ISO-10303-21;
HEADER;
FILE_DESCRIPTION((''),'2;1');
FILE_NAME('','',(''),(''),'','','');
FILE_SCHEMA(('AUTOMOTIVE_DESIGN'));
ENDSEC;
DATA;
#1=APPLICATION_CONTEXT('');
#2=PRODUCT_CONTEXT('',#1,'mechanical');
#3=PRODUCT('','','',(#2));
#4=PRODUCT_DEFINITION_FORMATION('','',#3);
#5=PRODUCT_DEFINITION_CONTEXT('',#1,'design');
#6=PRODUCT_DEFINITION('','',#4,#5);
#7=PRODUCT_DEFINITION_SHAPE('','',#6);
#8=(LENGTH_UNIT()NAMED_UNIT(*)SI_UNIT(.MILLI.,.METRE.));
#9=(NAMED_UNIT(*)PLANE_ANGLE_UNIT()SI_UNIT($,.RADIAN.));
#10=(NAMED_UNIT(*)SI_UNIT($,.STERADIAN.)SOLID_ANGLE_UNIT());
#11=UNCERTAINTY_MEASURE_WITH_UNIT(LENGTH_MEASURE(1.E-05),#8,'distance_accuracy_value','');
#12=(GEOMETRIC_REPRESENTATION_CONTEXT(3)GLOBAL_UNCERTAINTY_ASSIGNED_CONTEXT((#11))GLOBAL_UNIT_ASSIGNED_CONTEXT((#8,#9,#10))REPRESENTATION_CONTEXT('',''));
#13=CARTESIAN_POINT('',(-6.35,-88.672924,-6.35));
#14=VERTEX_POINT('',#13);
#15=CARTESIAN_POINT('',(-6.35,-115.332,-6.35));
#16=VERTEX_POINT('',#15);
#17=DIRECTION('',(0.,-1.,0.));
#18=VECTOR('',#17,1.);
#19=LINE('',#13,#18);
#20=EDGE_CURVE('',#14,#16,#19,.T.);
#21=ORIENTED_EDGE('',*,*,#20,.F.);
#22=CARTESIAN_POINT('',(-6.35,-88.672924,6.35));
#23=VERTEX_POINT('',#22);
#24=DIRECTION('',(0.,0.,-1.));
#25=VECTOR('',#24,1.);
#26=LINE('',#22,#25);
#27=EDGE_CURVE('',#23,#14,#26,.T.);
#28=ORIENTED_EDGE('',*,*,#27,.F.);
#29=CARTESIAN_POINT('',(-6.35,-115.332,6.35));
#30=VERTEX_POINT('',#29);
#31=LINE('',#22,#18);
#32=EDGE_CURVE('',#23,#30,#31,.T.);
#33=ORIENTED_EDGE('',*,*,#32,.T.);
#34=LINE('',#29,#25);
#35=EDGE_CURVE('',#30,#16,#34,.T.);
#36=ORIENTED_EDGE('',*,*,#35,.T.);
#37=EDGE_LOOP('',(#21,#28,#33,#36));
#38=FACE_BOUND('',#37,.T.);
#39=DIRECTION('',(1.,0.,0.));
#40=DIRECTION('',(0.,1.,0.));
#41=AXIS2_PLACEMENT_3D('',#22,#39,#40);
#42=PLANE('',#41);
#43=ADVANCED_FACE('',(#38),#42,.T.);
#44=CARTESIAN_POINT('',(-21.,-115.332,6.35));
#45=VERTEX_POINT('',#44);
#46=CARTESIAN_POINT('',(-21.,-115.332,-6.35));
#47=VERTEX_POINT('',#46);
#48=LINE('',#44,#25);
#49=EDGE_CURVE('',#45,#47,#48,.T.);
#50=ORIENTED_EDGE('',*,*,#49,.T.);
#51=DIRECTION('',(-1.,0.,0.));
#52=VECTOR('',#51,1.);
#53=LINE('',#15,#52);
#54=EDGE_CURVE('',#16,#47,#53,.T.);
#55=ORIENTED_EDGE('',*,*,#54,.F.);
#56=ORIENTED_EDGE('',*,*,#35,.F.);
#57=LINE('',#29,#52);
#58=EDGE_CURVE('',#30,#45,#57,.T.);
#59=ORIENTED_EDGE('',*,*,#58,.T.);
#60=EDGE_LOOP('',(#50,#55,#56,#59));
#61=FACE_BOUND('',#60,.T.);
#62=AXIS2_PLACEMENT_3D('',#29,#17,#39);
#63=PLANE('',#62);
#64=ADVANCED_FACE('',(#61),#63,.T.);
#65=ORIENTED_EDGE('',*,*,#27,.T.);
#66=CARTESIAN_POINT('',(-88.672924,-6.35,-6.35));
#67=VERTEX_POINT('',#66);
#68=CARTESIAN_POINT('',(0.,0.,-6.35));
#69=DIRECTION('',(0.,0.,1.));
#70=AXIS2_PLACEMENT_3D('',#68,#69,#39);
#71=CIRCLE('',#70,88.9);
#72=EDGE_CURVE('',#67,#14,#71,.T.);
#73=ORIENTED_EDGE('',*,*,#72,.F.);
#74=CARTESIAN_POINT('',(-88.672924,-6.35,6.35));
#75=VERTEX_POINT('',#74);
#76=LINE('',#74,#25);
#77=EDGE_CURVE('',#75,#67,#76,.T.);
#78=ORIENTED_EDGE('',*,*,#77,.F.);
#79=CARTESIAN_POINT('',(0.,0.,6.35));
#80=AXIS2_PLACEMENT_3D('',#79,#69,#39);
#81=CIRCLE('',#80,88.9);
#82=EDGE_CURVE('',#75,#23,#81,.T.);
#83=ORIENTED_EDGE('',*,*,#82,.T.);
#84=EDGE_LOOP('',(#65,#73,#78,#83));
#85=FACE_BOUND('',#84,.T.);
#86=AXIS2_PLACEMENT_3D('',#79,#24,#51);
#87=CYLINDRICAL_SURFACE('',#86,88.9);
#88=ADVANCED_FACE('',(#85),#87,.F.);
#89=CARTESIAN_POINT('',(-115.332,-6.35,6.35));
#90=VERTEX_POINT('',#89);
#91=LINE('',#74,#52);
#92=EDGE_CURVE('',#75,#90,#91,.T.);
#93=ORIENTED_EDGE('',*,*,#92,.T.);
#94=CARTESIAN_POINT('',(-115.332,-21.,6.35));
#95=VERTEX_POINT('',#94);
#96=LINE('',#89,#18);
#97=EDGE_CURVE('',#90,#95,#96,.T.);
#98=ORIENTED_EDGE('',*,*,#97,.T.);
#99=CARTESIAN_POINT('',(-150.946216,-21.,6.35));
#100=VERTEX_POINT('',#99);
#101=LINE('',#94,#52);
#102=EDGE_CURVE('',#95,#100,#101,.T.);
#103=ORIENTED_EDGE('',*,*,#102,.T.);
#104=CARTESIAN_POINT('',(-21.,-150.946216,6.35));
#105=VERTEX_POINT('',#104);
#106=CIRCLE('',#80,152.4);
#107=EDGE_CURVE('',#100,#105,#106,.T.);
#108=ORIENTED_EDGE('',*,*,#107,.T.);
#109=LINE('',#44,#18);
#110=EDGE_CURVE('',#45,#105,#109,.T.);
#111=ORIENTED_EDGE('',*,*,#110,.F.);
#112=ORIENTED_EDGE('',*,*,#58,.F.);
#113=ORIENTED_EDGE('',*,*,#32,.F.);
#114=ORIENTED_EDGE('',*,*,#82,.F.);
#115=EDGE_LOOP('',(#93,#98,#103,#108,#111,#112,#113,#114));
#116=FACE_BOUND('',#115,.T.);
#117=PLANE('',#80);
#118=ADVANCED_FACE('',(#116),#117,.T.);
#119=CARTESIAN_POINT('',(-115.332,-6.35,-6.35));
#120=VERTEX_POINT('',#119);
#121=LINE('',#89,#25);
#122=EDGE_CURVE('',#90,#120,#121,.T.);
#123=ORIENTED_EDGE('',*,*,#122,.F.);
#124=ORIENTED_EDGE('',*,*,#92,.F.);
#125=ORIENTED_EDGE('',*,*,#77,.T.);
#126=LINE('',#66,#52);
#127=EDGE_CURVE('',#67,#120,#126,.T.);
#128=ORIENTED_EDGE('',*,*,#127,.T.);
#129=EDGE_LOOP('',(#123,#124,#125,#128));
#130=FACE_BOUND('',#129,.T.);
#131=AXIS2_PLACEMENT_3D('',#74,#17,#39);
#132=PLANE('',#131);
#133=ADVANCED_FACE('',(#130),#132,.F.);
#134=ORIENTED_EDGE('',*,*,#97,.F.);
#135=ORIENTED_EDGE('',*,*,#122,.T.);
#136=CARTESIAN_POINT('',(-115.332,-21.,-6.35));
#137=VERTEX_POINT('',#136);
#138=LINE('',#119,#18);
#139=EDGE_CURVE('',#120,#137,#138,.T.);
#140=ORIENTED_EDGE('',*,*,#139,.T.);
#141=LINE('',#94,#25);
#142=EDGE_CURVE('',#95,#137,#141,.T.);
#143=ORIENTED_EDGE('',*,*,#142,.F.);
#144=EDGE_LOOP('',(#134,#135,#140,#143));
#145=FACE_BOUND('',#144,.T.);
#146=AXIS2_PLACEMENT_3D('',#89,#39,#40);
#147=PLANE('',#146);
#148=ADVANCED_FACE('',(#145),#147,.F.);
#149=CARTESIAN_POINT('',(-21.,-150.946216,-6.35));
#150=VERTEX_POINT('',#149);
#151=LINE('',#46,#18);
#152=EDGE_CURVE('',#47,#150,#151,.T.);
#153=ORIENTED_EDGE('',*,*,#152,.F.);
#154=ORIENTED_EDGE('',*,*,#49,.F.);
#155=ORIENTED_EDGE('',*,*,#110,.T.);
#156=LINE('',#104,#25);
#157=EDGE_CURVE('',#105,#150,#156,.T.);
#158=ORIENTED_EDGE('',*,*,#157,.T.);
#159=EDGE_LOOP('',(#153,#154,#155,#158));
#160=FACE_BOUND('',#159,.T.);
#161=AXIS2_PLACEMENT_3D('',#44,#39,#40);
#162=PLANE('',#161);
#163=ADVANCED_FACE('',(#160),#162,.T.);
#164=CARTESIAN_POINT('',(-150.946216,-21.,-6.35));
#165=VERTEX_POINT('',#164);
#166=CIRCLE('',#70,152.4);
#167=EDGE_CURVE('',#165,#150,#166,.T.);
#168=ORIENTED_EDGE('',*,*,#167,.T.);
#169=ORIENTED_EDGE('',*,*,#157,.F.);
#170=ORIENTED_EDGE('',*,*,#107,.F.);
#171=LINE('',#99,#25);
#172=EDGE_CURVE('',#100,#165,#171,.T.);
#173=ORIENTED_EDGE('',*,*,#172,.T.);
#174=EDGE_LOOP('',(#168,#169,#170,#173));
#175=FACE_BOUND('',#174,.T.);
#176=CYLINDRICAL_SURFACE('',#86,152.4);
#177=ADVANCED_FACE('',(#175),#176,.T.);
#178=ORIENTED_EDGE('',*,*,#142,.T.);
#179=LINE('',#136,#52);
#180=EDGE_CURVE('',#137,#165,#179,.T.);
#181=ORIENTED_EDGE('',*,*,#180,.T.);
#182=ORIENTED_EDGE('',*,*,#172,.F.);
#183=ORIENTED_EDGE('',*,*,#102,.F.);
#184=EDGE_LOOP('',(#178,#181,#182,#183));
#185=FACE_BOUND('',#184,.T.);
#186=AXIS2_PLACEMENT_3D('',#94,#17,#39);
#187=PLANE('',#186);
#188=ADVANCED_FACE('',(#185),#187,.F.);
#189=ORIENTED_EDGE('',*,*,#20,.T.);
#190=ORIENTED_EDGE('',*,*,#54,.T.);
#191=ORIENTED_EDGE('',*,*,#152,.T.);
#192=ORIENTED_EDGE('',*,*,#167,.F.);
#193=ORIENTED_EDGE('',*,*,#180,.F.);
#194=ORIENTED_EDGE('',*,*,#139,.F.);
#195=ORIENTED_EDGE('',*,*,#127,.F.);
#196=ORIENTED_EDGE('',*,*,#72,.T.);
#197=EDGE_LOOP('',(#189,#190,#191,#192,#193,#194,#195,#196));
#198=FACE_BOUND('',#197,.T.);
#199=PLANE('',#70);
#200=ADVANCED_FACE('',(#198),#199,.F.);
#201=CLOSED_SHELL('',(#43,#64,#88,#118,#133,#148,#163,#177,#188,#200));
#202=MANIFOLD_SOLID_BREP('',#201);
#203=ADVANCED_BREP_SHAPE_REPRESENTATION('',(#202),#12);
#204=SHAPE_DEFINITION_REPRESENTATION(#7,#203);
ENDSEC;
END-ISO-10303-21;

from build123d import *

# Parameters (mm, degrees)
BOSS_EXTRUDE1_DEPTH = 6.35


with BuildPart() as part:
    # Sketch1 → Boss-Extrude1 (new, symmetric)
    with BuildSketch(Plane.XY):
        with BuildLine():
            Line((-6.35, -88.672924278), (-6.35, -115.332))
            Line((-6.35, -115.332), (-21, -115.332))
            Line((-21, -115.332), (-21, -150.946215587))
            ThreePointArc((-21, -150.946215587), (-107.763073453, -107.763073453), (-150.946215587, -21))
            Line((-150.946215587, -21), (-115.332, -21))
            Line((-115.332, -21), (-115.332, -6.35))
            Line((-115.332, -6.35), (-88.672924278, -6.35))
            ThreePointArc((-88.672924278, -6.35), (-62.861792847, -62.861792847), (-6.35, -88.672924278))
        make_face()
    extrude(amount=BOSS_EXTRUDE1_DEPTH, both=True)


solid = part.part
